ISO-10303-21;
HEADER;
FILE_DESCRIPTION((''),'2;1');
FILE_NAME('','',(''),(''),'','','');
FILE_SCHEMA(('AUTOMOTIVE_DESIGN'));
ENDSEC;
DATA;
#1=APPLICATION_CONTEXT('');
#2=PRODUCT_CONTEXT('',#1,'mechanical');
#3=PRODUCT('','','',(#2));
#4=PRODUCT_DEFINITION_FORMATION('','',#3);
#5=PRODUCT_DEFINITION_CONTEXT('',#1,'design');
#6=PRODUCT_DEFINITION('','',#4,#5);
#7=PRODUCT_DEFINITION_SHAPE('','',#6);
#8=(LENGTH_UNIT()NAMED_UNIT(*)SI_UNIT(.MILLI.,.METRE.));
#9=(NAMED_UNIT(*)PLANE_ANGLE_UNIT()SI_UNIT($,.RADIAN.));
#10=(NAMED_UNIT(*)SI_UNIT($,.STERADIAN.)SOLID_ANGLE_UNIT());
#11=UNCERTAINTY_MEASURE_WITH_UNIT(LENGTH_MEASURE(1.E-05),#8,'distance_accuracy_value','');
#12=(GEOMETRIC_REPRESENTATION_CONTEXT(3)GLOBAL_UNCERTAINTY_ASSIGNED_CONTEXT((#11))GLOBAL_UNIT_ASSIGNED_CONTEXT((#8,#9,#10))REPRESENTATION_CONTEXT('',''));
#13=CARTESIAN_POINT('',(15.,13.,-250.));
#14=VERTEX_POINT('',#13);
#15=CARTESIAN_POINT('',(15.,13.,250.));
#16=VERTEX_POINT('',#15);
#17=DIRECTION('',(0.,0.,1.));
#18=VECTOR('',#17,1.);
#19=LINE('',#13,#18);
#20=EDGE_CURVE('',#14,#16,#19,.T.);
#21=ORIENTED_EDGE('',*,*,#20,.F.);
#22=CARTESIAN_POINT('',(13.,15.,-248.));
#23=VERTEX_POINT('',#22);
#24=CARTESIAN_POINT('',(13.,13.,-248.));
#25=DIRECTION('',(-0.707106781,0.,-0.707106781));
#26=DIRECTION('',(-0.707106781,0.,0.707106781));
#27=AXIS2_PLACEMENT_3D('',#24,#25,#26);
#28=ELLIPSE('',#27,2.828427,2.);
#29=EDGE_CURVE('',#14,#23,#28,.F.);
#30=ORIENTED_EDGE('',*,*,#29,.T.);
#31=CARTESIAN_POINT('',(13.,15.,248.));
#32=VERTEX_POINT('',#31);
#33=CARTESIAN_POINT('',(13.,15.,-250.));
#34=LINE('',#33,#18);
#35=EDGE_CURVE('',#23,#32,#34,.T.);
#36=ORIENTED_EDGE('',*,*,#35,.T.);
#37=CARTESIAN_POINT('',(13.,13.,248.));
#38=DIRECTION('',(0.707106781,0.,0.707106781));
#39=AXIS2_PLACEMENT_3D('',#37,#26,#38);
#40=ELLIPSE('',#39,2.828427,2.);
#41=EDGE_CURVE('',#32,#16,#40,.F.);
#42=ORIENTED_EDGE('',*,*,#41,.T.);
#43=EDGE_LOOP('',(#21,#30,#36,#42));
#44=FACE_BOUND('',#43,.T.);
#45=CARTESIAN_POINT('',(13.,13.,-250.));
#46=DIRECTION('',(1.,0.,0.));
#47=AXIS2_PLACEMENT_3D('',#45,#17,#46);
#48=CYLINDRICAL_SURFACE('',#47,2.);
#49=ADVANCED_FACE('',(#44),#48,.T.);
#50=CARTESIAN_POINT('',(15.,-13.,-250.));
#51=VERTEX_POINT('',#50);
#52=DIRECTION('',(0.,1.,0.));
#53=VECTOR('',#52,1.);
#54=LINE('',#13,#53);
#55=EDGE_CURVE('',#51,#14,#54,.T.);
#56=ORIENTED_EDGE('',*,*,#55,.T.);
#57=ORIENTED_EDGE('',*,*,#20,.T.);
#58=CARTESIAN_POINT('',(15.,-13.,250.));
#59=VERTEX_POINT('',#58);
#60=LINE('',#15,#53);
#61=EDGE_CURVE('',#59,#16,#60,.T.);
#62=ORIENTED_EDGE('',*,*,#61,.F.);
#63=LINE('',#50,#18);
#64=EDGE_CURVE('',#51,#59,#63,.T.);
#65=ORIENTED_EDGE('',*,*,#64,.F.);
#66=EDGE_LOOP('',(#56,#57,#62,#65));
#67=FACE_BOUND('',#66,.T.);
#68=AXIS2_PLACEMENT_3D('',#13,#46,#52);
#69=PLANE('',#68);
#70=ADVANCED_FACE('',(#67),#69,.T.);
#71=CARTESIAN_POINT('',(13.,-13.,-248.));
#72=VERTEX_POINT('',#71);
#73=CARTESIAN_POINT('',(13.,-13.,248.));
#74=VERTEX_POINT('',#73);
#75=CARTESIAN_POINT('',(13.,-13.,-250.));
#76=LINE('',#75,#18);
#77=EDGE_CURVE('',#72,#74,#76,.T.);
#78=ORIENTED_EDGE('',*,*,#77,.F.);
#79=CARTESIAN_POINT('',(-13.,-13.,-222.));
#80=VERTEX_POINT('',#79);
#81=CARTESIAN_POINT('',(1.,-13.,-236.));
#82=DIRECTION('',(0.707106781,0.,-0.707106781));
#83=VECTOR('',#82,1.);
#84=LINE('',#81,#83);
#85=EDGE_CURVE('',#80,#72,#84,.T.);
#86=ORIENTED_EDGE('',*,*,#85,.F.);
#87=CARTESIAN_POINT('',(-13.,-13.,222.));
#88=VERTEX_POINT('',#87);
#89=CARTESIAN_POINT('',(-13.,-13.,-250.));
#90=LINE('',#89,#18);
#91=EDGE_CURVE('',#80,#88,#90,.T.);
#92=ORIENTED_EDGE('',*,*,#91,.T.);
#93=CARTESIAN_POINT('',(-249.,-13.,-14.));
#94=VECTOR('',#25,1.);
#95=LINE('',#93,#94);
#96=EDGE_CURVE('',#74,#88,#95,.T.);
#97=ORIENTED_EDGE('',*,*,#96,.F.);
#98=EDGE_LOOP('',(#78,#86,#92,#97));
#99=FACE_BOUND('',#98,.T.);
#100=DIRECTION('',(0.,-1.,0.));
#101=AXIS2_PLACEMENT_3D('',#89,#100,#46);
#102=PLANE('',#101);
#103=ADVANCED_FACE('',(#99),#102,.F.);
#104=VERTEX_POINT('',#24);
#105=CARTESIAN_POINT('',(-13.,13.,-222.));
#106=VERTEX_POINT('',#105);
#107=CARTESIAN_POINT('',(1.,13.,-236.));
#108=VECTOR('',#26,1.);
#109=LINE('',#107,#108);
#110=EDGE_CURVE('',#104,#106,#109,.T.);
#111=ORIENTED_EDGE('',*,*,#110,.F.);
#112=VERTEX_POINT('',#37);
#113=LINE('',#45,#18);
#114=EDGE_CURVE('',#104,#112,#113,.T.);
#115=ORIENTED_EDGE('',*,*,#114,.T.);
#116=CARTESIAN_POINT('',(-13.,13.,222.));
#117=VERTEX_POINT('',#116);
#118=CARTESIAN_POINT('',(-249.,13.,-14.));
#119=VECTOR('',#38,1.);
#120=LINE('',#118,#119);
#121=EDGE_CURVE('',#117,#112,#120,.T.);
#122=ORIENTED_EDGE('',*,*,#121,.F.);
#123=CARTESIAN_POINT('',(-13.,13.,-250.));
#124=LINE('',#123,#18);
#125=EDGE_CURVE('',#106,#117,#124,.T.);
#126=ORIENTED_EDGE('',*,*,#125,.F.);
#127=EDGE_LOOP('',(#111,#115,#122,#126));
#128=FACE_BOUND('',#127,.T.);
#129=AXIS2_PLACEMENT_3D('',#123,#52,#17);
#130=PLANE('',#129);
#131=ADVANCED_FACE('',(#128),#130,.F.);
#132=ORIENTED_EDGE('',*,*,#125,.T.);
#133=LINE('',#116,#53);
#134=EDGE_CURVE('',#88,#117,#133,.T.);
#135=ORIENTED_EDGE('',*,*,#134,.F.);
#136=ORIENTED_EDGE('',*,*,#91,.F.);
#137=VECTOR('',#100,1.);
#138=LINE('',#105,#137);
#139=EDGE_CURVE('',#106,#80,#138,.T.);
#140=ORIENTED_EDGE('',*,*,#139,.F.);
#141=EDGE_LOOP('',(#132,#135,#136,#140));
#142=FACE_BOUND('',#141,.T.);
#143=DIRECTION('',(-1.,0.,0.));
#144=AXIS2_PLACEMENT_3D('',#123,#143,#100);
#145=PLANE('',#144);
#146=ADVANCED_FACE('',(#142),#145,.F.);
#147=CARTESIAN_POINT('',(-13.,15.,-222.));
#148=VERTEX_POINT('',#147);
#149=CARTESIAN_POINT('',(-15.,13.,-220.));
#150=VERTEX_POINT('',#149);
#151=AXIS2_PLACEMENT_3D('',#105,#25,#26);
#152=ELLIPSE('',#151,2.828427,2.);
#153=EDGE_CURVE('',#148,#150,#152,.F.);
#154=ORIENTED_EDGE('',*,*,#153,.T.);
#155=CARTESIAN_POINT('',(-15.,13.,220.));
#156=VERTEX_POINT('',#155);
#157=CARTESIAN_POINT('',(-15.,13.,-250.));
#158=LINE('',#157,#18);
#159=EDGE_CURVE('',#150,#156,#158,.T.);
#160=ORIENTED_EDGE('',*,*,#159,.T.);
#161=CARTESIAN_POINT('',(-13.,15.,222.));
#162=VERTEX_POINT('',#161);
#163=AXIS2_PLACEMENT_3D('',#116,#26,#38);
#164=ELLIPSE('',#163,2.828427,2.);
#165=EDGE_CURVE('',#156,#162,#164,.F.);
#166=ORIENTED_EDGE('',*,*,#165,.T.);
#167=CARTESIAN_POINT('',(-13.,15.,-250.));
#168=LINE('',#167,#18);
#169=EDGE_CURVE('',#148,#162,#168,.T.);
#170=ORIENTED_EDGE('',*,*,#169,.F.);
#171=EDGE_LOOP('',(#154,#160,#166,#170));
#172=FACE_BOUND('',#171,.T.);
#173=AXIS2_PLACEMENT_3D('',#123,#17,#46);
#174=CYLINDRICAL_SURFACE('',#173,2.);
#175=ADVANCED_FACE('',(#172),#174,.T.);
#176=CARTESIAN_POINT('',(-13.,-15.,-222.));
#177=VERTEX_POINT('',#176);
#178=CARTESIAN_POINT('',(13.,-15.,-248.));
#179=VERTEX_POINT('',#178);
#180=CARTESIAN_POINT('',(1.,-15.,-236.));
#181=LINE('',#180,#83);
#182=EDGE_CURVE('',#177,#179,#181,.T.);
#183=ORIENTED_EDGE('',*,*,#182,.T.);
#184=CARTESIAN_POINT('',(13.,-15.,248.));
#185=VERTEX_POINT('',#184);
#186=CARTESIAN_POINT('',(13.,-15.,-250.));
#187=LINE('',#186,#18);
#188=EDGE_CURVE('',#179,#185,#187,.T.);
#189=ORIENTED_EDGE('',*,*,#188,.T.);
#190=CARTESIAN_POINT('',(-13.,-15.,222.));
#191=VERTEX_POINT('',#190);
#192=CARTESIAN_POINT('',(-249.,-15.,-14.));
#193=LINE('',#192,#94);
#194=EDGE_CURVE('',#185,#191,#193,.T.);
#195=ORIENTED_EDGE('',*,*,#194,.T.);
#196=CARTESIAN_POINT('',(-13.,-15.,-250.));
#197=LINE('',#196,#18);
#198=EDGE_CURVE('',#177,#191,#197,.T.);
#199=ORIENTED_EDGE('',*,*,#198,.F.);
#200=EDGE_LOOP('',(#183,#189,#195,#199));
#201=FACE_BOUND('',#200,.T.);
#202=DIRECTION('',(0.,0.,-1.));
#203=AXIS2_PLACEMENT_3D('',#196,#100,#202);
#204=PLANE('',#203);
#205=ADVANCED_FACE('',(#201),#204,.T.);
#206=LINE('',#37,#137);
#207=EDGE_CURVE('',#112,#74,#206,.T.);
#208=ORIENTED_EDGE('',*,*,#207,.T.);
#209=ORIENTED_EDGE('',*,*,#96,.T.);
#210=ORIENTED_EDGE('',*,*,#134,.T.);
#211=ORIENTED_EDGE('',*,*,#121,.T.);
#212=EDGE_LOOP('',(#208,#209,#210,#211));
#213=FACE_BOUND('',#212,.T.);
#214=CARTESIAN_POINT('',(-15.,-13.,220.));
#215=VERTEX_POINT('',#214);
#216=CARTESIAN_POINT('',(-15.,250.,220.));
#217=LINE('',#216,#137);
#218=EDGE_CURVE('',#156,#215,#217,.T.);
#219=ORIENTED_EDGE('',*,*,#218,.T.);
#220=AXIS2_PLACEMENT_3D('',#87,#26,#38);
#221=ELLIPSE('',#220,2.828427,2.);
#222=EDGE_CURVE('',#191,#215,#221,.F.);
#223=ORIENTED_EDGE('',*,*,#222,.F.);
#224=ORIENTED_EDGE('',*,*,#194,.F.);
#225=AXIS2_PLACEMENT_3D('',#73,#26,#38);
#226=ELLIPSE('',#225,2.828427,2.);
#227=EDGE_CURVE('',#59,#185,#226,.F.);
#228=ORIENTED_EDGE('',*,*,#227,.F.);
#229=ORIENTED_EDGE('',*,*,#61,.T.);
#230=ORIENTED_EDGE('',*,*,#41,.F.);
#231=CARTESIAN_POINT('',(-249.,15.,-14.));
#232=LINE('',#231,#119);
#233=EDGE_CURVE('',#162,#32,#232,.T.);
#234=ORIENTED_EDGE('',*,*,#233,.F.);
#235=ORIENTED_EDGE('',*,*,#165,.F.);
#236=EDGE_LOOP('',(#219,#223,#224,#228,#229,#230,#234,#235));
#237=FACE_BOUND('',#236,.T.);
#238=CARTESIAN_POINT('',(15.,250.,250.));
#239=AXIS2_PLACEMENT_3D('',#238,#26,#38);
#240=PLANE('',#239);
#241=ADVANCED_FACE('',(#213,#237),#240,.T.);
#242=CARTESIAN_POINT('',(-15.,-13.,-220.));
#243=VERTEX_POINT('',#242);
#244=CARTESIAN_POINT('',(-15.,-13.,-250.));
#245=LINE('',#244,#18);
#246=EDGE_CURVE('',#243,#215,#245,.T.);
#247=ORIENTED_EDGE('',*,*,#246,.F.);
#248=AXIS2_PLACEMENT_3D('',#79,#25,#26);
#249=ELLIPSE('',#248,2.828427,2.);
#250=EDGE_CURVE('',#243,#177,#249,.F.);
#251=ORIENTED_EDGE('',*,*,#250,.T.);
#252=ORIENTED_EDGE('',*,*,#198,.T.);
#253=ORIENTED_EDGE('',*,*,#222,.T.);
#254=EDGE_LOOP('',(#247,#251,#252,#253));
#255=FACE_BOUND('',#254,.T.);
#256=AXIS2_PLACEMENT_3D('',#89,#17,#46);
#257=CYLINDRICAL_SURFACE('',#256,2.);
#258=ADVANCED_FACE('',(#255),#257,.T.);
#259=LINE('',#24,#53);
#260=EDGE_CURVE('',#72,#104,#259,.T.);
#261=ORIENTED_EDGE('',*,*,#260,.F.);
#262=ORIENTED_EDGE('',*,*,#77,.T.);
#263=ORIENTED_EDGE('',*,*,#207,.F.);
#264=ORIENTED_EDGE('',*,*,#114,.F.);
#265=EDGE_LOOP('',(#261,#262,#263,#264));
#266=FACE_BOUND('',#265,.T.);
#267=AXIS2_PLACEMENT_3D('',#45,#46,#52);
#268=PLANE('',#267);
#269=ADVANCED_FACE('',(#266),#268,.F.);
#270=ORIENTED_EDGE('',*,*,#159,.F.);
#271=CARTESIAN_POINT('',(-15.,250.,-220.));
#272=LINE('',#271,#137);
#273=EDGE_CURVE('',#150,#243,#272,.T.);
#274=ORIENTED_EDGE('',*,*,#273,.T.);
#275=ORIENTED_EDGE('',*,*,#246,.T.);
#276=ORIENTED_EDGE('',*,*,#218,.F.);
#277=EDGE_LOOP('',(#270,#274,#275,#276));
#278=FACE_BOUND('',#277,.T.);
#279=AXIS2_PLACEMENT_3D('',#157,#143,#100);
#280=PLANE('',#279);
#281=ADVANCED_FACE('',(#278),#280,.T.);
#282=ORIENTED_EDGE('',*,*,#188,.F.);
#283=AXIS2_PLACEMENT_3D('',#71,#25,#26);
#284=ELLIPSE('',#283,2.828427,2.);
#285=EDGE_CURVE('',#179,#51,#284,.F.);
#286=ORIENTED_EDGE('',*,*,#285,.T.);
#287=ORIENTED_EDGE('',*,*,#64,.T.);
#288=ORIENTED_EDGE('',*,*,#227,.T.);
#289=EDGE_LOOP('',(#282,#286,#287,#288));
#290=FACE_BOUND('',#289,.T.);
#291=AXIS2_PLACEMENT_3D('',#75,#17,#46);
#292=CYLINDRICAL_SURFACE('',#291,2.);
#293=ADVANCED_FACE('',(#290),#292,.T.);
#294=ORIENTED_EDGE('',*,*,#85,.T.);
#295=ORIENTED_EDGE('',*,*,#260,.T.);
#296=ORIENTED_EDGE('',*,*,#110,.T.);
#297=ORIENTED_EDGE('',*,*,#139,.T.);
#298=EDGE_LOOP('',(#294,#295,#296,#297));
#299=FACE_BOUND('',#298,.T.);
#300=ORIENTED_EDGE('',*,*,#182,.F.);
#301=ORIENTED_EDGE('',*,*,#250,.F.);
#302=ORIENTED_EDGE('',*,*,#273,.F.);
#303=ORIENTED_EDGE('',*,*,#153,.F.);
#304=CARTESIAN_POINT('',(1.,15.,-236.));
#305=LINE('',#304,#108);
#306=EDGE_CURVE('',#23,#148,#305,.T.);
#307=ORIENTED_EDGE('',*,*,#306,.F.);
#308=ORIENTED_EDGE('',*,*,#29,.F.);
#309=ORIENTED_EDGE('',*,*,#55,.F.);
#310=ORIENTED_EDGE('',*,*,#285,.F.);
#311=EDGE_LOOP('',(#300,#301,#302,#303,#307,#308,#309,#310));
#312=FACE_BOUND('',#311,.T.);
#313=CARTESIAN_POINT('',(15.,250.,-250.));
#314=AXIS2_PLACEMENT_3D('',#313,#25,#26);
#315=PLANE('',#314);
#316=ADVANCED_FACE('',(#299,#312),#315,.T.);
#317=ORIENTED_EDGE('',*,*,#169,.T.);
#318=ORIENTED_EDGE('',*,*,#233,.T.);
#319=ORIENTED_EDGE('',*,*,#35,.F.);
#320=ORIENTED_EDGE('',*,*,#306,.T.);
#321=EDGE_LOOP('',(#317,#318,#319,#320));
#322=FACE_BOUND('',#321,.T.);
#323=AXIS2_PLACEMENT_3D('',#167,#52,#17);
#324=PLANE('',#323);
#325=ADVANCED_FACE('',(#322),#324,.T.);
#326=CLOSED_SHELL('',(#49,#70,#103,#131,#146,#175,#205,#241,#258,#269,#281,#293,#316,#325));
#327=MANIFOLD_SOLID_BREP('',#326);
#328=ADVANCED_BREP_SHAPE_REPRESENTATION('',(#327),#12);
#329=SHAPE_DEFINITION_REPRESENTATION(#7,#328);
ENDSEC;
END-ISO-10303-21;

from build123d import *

# Parameters (mm, degrees)
Y_KSEKLIK_EKSTR_ZYON1_DEPTH      = 250
Y_KSEKLIK_EKSTR_ZYON1_DEPTH_BACK = 250
IZIM1_W                          = 26
IZIM1_H                          = 26
KES_EKSTR_ZYON1_DEPTH            = 250
KES_EKSTR_ZYON1_DEPTH_BACK       = 250


with BuildPart() as part:
    # Çizim1 → Yükseklik-Ekstrüzyon1 (new, two sides: drawn at the far end of the back side and taken through both)
    with BuildSketch(Plane.XY.offset(-Y_KSEKLIK_EKSTR_ZYON1_DEPTH_BACK)):
        with BuildLine():
            Line((-13, 15), (13, 15))
            ThreePointArc((13, 15), (14.414213562, 14.414213562), (15, 13))
            Line((15, 13), (15, -13))
            ThreePointArc((15, -13), (14.414213562, -14.414213562), (13, -15))
            Line((13, -15), (-13, -15))
            ThreePointArc((-13, -15), (-14.414213562, -14.414213562), (-15, -13))
            Line((-15, -13), (-15, 13))
            ThreePointArc((-15, 13), (-14.414213562, 14.414213562), (-13, 15))
        make_face()
        Rectangle(IZIM1_W, IZIM1_H, mode=Mode.SUBTRACT)
    extrude(amount=Y_KSEKLIK_EKSTR_ZYON1_DEPTH + Y_KSEKLIK_EKSTR_ZYON1_DEPTH_BACK)

    # Çizim2 → Kes-Ekstrüzyon1 (cut, two sides: drawn at the far end of the back side and taken through both)
    with BuildSketch(Plane(origin=(0, 0, 0), x_dir=(1, 0, 0), z_dir=(0, 1, 0)).offset(-KES_EKSTR_ZYON1_DEPTH_BACK)):
        Polygon((15, 250), (-15, 220), (-15, 250), align=None)
        Polygon((15, -250), (-15, -220), (-15, -250), align=None)
    extrude(amount=KES_EKSTR_ZYON1_DEPTH + KES_EKSTR_ZYON1_DEPTH_BACK, mode=Mode.SUBTRACT)


solid = part.part
